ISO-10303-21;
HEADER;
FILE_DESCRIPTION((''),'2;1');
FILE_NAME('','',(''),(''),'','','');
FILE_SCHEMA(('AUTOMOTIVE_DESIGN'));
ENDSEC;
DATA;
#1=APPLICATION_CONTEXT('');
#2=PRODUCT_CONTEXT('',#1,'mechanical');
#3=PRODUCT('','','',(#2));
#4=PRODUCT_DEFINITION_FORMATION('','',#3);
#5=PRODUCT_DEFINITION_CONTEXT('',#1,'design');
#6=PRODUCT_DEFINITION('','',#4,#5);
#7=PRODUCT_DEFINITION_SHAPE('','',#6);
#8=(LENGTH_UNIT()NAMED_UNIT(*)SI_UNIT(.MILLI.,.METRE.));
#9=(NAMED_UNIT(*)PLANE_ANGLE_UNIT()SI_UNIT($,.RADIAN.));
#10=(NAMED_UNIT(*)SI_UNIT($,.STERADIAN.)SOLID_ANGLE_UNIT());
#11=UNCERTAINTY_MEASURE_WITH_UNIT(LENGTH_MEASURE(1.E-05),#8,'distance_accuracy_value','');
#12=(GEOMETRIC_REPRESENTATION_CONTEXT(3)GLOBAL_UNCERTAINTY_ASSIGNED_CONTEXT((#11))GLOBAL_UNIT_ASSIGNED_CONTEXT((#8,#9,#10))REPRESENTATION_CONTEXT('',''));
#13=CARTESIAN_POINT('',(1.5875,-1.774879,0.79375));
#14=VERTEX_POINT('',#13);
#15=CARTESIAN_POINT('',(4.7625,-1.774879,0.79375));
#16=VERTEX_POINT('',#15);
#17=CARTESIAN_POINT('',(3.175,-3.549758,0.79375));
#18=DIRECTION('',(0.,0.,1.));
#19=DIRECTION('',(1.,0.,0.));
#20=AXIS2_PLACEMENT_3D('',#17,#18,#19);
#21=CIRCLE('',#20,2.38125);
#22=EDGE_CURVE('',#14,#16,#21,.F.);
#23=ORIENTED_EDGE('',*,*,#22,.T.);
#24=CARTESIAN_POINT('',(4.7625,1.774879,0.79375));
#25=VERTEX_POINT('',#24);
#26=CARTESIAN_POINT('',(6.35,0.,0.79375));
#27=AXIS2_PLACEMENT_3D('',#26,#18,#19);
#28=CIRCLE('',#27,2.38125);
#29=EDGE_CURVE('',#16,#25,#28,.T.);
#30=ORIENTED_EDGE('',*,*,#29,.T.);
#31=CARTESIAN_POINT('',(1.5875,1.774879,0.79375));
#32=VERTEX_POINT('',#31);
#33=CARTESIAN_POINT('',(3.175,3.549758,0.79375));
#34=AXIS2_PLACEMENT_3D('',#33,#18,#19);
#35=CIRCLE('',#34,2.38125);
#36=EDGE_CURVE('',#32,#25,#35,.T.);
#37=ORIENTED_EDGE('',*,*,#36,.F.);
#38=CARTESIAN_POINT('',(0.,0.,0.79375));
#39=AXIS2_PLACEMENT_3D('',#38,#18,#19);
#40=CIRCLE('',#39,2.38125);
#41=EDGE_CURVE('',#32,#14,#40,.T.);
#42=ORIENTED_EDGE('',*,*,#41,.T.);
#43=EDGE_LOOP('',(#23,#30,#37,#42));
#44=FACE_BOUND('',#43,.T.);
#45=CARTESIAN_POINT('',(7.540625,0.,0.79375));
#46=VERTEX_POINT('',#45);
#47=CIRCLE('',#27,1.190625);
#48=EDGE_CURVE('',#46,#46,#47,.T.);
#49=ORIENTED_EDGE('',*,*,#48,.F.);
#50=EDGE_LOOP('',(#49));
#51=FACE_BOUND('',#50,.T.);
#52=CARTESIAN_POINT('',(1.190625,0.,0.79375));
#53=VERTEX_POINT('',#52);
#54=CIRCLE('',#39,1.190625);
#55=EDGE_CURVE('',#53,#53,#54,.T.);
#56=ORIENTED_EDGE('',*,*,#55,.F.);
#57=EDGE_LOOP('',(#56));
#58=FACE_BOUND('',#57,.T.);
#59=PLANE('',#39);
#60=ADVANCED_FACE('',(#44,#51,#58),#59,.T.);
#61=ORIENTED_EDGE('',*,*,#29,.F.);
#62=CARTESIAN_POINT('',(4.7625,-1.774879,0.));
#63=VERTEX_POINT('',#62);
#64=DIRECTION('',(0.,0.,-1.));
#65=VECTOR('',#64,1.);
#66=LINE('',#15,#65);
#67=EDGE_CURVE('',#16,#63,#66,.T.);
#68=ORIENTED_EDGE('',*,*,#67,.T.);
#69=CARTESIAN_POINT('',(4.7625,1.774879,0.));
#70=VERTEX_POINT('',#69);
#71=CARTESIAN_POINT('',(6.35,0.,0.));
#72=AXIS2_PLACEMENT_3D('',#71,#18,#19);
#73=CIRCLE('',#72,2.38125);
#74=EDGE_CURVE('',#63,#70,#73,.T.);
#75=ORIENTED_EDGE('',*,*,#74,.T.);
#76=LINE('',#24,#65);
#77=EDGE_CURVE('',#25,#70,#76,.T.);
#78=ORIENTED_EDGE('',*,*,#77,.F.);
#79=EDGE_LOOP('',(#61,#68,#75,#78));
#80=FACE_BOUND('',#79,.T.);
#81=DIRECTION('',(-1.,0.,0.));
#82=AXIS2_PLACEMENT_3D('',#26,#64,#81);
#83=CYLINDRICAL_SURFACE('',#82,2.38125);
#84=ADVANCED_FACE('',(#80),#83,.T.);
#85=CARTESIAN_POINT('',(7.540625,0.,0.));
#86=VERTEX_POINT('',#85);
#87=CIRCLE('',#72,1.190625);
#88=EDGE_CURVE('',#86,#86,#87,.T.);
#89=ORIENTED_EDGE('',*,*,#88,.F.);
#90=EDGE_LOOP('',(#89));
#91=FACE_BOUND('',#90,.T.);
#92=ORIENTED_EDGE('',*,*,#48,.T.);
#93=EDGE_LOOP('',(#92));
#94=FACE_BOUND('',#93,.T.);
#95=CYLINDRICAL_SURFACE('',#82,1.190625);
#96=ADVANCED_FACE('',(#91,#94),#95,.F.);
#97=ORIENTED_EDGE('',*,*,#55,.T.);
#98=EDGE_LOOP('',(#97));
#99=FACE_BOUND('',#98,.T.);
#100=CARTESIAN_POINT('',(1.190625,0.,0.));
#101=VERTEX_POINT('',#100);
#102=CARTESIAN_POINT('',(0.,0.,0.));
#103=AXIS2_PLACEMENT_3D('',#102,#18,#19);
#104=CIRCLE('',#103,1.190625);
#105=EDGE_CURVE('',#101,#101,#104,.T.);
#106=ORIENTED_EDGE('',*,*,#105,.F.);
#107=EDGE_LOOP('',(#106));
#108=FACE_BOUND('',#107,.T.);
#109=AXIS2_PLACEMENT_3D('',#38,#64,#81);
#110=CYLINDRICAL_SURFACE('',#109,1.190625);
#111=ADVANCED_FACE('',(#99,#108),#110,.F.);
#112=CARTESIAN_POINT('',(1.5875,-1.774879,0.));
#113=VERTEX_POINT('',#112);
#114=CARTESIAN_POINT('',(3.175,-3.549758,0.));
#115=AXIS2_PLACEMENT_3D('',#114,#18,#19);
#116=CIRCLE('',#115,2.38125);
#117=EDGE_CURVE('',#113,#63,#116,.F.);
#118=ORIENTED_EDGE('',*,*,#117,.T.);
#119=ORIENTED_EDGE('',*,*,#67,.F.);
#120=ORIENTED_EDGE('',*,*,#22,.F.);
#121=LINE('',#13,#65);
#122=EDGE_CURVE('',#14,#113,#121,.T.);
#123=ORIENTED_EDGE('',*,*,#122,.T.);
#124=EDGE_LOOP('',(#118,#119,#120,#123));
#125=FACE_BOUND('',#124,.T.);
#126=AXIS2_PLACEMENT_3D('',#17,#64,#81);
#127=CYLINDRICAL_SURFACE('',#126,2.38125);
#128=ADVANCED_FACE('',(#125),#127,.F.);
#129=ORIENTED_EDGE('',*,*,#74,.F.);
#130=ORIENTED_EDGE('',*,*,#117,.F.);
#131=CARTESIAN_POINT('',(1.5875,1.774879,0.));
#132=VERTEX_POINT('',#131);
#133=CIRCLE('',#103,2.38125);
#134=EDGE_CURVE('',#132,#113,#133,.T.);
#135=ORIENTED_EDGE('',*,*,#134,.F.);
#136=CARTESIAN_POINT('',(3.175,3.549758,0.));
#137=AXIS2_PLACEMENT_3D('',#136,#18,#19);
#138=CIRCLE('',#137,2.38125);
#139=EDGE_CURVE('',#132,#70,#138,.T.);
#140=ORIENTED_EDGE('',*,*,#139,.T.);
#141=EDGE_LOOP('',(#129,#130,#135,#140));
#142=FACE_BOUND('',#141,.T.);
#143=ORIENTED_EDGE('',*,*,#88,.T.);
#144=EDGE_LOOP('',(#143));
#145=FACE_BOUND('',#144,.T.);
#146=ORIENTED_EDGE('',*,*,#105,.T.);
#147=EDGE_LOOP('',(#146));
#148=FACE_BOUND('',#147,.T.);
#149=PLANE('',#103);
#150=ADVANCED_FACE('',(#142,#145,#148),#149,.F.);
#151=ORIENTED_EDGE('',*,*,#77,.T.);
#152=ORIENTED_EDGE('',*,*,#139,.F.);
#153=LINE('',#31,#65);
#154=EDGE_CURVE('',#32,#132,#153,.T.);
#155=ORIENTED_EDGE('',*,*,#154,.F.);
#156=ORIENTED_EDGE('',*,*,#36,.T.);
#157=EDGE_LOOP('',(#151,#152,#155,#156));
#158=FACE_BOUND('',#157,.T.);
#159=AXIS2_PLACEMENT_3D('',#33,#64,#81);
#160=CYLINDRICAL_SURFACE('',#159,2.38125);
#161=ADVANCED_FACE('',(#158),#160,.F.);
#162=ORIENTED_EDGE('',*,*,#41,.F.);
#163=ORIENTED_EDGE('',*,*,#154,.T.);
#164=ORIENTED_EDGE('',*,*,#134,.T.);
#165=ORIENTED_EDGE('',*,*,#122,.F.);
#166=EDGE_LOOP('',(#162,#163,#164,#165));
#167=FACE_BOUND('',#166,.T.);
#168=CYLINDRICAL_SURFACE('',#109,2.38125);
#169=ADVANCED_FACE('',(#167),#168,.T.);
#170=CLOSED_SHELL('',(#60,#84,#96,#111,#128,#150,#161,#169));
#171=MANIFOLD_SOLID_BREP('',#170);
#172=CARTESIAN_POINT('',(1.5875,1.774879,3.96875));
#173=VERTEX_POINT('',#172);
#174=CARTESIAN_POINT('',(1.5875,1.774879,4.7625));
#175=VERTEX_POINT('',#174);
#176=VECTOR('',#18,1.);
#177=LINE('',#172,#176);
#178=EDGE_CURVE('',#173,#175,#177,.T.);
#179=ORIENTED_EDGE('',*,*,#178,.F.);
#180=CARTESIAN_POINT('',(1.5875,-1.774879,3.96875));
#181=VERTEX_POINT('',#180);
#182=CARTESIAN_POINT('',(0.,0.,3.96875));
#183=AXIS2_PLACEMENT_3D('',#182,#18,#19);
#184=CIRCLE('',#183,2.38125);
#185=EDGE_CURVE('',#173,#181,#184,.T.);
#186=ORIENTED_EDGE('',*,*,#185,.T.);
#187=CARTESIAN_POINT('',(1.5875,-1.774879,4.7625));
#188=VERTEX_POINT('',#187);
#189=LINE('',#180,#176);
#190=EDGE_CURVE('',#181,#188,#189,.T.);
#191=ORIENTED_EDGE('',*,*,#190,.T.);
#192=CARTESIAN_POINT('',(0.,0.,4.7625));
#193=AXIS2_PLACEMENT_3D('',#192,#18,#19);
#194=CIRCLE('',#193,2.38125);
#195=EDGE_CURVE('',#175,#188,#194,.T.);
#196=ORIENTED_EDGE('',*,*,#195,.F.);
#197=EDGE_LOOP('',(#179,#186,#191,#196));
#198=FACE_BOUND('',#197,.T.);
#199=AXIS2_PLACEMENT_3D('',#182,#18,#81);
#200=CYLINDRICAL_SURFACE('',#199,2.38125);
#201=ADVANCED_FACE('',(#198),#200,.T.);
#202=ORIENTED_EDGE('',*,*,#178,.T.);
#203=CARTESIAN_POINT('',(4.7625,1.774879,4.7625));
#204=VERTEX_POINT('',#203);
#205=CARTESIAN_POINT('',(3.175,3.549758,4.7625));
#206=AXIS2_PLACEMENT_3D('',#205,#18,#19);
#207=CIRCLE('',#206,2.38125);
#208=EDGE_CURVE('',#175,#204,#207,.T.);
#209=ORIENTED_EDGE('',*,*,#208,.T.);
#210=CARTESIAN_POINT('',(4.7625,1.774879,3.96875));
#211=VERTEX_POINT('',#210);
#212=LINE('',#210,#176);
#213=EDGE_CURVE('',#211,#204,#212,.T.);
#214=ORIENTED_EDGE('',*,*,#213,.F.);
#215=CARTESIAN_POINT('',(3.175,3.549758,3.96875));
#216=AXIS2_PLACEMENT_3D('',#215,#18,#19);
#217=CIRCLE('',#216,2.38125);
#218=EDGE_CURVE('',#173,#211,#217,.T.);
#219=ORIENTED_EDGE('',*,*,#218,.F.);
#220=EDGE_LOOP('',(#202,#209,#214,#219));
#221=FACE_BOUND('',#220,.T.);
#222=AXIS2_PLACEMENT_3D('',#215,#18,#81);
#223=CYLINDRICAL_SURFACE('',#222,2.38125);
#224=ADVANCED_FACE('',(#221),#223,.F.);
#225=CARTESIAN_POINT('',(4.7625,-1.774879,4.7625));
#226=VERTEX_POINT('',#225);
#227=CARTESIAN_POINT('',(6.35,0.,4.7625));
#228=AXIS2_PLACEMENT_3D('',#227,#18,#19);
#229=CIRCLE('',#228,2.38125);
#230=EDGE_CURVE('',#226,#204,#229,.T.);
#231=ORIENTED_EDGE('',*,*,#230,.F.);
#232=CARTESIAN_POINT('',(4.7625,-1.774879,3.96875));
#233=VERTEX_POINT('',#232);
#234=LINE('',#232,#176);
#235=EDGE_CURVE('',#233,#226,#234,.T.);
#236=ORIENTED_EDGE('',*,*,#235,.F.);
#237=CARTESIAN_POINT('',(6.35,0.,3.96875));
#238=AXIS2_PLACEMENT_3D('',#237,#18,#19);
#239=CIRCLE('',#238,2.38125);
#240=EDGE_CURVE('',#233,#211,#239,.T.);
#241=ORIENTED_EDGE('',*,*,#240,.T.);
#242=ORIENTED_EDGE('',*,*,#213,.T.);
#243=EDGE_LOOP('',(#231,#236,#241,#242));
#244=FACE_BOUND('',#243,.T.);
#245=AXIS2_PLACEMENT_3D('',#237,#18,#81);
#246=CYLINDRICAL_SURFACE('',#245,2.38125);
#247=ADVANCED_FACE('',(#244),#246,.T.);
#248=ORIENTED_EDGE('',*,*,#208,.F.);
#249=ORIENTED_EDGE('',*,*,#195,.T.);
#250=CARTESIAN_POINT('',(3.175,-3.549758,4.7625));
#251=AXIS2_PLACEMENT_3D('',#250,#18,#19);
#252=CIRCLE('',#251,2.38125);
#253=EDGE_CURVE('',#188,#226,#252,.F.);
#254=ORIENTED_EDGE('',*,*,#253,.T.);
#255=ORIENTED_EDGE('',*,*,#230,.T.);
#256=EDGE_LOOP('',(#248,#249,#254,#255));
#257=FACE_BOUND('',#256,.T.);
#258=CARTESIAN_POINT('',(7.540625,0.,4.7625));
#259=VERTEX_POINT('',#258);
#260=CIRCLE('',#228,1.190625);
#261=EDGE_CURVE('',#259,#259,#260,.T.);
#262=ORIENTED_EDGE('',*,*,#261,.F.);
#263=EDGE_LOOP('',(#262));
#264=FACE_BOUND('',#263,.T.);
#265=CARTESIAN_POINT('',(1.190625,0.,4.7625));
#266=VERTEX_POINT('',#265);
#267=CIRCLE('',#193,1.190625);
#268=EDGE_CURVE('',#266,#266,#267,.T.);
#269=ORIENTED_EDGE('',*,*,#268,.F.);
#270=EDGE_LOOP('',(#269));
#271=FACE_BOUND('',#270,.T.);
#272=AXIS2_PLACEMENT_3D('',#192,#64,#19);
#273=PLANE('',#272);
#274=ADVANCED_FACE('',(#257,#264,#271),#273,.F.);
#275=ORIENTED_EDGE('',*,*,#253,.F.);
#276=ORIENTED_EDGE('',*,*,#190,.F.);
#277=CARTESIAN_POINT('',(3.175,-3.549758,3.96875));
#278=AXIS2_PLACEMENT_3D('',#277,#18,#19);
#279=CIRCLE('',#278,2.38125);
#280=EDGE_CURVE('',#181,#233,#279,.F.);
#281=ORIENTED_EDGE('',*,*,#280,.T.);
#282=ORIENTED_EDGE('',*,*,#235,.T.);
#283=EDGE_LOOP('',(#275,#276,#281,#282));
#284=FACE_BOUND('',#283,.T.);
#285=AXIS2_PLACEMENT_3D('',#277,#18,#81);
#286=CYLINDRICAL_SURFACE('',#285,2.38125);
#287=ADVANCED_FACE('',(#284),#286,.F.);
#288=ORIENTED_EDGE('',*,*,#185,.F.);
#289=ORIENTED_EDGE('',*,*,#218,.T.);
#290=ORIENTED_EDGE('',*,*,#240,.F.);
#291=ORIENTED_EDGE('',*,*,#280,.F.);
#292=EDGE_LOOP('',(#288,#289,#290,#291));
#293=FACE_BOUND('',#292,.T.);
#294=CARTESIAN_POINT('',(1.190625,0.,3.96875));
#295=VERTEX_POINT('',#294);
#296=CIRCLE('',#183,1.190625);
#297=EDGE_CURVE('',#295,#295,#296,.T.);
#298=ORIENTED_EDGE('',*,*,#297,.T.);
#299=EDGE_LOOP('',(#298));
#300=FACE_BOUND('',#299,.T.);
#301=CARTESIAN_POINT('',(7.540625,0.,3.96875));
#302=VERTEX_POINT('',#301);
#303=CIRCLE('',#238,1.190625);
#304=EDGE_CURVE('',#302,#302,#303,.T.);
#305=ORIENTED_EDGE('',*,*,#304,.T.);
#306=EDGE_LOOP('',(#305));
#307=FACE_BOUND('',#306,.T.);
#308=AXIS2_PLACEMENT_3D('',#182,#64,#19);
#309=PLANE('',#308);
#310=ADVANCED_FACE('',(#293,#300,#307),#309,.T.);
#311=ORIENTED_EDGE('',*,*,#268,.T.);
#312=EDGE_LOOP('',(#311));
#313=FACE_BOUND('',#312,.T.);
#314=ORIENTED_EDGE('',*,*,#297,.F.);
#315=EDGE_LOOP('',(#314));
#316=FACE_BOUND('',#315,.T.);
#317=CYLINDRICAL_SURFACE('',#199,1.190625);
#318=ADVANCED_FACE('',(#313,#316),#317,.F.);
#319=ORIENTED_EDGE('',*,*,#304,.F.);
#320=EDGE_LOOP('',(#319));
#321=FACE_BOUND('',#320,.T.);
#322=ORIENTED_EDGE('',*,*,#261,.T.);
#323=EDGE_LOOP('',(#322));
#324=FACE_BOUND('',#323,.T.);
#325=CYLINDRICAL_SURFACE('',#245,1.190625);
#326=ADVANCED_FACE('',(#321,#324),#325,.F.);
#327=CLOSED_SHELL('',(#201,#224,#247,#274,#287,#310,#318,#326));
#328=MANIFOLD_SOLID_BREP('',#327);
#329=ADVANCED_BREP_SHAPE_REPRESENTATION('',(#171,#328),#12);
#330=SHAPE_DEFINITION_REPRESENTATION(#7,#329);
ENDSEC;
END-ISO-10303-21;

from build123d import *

# Parameters (mm, degrees)
SKETCH2_R           = 2.38125
SKETCH2_R_2         = 1.190625
BOSS_EXTRUDE1_DEPTH = 0.79375
SKETCH3_R           = 2.69875
SKETCH3_R_2         = 1.190625
BOSS_EXTRUDE2_DEPTH = 0.79375
BOSS_EXTRUDE3_START = 0.79375
SKETCH3_4_R         = 1.190625
BOSS_EXTRUDE3_DEPTH = 3.175


with BuildPart() as part:
    # Sketch2 → Boss-Extrude1 (new body)
    # profile 1 of 3: a face of its own
    with BuildSketch(Plane.XY):
        Circle(SKETCH2_R)
        Circle(SKETCH2_R_2, mode=Mode.SUBTRACT)
    # profile 2 of 3: a face of its own
    with BuildSketch(Plane.XY):
        with BuildLine():
            ThreePointArc((1.5875, 1.774878957), (2.1737739, 0.972141242), (2.38125, 0))
            ThreePointArc((2.38125, 0), (2.1737739, -0.972141242), (1.5875, -1.774878957))
            ThreePointArc((1.5875, -1.774878957), (3.175, -1.168507914), (4.7625, -1.774878957))
            ThreePointArc((4.7625, -1.774878957), (3.96875, 0), (4.7625, 1.774878957))
            ThreePointArc((4.7625, 1.774878957), (3.175, 1.168507914), (1.5875, 1.774878957))
        make_face()
    # profile 3 of 3: a face of its own
    with BuildSketch(Plane.XY):
        with Locations((6.35, 0)):
            Circle(SKETCH2_R)
        with Locations((6.35, 0)):
            Circle(SKETCH2_R_2, mode=Mode.SUBTRACT)
    extrude(amount=BOSS_EXTRUDE1_DEPTH)


with BuildPart() as body_2:
    # Sketch3 → Boss-Extrude2 (new body)
    # profile 1 of 4: a face of its own
    with BuildSketch(Plane(origin=(0, 0, 0), x_dir=(-1, 0, 0), z_dir=(0, 0, -1))):
        with Locations((-12.7, 0)):
            Circle(SKETCH3_R)
        with Locations((-12.7, 0)):
            Circle(SKETCH3_R_2, mode=Mode.SUBTRACT)
    # profile 2 of 4: a face of its own
    with BuildSketch(Plane(origin=(0, 0, 0), x_dir=(-1, 0, 0), z_dir=(0, 0, -1))):
        with BuildLine():
            ThreePointArc((-3.65125, 0), (-3.737895814, 0.678353361), (-3.99226957, 1.313148424))
            ThreePointArc((-3.99226957, 1.313148424), (-4.399347966, 1.507376065), (-4.7625, 1.774878957))
            ThreePointArc((-4.7625, 1.774878957), (-8.73125, 0), (-4.7625, -1.774878957))
            ThreePointArc((-4.7625, -1.774878957), (-4.399347966, -1.507376065), (-3.99226957, -1.313148424))
            ThreePointArc((-3.99226957, -1.313148424), (-3.737895814, -0.678353361), (-3.65125, 0))
        make_face()
        with Locations(Location((-6.35, 0, 0), (0, 0, 180))):
            Circle(SKETCH3_R_2, mode=Mode.SUBTRACT)
    # profile 3 of 4: a face of its own
    with BuildSketch(Plane(origin=(0, 0, 0), x_dir=(-1, 0, 0), z_dir=(0, 0, -1))):
        with BuildLine():
            ThreePointArc((-3.99226957, 1.313148424), (-5.769279961, 2.63552951), (-7.9375, 2.182451675))
            ThreePointArc((-7.9375, 2.182451675), (-9.04875, 0), (-7.9375, -2.182451675))
            ThreePointArc((-7.9375, -2.182451675), (-5.769279961, -2.63552951), (-3.99226957, -1.313148424))
            ThreePointArc((-3.99226957, -1.313148424), (-4.399347966, -1.507376065), (-4.7625, -1.774878957))
            ThreePointArc((-4.7625, -1.774878957), (-8.73125, 0), (-4.7625, 1.774878957))
            ThreePointArc((-4.7625, 1.774878957), (-4.399347966, 1.507376065), (-3.99226957, 1.313148424))
        make_face()
    # profile 4 of 4: a face of its own
    with BuildSketch(Plane(origin=(0, 0, 0), x_dir=(-1, 0, 0), z_dir=(0, 0, -1))):
        with BuildLine():
            ThreePointArc((-7.9375, -2.182451675), (-9.04875, 0), (-7.9375, 2.182451675))
            ThreePointArc((-7.9375, 2.182451675), (-9.525, 1.666153349), (-11.1125, 2.182451675))
            ThreePointArc((-11.1125, 2.182451675), (-10.295055387, 1.224537859), (-10.00125, 0))
            ThreePointArc((-10.00125, 0), (-10.295055387, -1.224537859), (-11.1125, -2.182451675))
            ThreePointArc((-11.1125, -2.182451675), (-9.525, -1.666153349), (-7.9375, -2.182451675))
        make_face()
    extrude(amount=BOSS_EXTRUDE2_DEPTH)

    # Sketch3<4> → Boss-Extrude3 (add)
    with BuildSketch(Plane(origin=(0, 0, 0), x_dir=(-1, 0, 0), z_dir=(0, 0, -1)).offset(BOSS_EXTRUDE3_START)):
        with Locations(Location((-6.35, 0, 0), (0, 0, 180))):
            Circle(SKETCH3_4_R)
        with Locations((-12.7, 0)):
            Circle(SKETCH3_4_R)
    extrude(amount=-BOSS_EXTRUDE3_DEPTH)


with BuildPart() as body_3:
    # Mirror1: mirrored copy
    add(body_2.part.mirror(Plane(origin=(6.35, 0, 2.38125), x_dir=(1, 0, 0), z_dir=(0, 0, -1))))


with BuildPart() as body_4:
    # Mirror1 2: mirrored copy
    add(part.part.mirror(Plane(origin=(6.35, 0, 2.38125), x_dir=(1, 0, 0), z_dir=(0, 0, -1))))


with BuildPart() as body_2_1:
    add(body_2.part)

    # Combine1: union body 3
    add(body_3.part)


solid = Compound([part.part, body_4.part])
